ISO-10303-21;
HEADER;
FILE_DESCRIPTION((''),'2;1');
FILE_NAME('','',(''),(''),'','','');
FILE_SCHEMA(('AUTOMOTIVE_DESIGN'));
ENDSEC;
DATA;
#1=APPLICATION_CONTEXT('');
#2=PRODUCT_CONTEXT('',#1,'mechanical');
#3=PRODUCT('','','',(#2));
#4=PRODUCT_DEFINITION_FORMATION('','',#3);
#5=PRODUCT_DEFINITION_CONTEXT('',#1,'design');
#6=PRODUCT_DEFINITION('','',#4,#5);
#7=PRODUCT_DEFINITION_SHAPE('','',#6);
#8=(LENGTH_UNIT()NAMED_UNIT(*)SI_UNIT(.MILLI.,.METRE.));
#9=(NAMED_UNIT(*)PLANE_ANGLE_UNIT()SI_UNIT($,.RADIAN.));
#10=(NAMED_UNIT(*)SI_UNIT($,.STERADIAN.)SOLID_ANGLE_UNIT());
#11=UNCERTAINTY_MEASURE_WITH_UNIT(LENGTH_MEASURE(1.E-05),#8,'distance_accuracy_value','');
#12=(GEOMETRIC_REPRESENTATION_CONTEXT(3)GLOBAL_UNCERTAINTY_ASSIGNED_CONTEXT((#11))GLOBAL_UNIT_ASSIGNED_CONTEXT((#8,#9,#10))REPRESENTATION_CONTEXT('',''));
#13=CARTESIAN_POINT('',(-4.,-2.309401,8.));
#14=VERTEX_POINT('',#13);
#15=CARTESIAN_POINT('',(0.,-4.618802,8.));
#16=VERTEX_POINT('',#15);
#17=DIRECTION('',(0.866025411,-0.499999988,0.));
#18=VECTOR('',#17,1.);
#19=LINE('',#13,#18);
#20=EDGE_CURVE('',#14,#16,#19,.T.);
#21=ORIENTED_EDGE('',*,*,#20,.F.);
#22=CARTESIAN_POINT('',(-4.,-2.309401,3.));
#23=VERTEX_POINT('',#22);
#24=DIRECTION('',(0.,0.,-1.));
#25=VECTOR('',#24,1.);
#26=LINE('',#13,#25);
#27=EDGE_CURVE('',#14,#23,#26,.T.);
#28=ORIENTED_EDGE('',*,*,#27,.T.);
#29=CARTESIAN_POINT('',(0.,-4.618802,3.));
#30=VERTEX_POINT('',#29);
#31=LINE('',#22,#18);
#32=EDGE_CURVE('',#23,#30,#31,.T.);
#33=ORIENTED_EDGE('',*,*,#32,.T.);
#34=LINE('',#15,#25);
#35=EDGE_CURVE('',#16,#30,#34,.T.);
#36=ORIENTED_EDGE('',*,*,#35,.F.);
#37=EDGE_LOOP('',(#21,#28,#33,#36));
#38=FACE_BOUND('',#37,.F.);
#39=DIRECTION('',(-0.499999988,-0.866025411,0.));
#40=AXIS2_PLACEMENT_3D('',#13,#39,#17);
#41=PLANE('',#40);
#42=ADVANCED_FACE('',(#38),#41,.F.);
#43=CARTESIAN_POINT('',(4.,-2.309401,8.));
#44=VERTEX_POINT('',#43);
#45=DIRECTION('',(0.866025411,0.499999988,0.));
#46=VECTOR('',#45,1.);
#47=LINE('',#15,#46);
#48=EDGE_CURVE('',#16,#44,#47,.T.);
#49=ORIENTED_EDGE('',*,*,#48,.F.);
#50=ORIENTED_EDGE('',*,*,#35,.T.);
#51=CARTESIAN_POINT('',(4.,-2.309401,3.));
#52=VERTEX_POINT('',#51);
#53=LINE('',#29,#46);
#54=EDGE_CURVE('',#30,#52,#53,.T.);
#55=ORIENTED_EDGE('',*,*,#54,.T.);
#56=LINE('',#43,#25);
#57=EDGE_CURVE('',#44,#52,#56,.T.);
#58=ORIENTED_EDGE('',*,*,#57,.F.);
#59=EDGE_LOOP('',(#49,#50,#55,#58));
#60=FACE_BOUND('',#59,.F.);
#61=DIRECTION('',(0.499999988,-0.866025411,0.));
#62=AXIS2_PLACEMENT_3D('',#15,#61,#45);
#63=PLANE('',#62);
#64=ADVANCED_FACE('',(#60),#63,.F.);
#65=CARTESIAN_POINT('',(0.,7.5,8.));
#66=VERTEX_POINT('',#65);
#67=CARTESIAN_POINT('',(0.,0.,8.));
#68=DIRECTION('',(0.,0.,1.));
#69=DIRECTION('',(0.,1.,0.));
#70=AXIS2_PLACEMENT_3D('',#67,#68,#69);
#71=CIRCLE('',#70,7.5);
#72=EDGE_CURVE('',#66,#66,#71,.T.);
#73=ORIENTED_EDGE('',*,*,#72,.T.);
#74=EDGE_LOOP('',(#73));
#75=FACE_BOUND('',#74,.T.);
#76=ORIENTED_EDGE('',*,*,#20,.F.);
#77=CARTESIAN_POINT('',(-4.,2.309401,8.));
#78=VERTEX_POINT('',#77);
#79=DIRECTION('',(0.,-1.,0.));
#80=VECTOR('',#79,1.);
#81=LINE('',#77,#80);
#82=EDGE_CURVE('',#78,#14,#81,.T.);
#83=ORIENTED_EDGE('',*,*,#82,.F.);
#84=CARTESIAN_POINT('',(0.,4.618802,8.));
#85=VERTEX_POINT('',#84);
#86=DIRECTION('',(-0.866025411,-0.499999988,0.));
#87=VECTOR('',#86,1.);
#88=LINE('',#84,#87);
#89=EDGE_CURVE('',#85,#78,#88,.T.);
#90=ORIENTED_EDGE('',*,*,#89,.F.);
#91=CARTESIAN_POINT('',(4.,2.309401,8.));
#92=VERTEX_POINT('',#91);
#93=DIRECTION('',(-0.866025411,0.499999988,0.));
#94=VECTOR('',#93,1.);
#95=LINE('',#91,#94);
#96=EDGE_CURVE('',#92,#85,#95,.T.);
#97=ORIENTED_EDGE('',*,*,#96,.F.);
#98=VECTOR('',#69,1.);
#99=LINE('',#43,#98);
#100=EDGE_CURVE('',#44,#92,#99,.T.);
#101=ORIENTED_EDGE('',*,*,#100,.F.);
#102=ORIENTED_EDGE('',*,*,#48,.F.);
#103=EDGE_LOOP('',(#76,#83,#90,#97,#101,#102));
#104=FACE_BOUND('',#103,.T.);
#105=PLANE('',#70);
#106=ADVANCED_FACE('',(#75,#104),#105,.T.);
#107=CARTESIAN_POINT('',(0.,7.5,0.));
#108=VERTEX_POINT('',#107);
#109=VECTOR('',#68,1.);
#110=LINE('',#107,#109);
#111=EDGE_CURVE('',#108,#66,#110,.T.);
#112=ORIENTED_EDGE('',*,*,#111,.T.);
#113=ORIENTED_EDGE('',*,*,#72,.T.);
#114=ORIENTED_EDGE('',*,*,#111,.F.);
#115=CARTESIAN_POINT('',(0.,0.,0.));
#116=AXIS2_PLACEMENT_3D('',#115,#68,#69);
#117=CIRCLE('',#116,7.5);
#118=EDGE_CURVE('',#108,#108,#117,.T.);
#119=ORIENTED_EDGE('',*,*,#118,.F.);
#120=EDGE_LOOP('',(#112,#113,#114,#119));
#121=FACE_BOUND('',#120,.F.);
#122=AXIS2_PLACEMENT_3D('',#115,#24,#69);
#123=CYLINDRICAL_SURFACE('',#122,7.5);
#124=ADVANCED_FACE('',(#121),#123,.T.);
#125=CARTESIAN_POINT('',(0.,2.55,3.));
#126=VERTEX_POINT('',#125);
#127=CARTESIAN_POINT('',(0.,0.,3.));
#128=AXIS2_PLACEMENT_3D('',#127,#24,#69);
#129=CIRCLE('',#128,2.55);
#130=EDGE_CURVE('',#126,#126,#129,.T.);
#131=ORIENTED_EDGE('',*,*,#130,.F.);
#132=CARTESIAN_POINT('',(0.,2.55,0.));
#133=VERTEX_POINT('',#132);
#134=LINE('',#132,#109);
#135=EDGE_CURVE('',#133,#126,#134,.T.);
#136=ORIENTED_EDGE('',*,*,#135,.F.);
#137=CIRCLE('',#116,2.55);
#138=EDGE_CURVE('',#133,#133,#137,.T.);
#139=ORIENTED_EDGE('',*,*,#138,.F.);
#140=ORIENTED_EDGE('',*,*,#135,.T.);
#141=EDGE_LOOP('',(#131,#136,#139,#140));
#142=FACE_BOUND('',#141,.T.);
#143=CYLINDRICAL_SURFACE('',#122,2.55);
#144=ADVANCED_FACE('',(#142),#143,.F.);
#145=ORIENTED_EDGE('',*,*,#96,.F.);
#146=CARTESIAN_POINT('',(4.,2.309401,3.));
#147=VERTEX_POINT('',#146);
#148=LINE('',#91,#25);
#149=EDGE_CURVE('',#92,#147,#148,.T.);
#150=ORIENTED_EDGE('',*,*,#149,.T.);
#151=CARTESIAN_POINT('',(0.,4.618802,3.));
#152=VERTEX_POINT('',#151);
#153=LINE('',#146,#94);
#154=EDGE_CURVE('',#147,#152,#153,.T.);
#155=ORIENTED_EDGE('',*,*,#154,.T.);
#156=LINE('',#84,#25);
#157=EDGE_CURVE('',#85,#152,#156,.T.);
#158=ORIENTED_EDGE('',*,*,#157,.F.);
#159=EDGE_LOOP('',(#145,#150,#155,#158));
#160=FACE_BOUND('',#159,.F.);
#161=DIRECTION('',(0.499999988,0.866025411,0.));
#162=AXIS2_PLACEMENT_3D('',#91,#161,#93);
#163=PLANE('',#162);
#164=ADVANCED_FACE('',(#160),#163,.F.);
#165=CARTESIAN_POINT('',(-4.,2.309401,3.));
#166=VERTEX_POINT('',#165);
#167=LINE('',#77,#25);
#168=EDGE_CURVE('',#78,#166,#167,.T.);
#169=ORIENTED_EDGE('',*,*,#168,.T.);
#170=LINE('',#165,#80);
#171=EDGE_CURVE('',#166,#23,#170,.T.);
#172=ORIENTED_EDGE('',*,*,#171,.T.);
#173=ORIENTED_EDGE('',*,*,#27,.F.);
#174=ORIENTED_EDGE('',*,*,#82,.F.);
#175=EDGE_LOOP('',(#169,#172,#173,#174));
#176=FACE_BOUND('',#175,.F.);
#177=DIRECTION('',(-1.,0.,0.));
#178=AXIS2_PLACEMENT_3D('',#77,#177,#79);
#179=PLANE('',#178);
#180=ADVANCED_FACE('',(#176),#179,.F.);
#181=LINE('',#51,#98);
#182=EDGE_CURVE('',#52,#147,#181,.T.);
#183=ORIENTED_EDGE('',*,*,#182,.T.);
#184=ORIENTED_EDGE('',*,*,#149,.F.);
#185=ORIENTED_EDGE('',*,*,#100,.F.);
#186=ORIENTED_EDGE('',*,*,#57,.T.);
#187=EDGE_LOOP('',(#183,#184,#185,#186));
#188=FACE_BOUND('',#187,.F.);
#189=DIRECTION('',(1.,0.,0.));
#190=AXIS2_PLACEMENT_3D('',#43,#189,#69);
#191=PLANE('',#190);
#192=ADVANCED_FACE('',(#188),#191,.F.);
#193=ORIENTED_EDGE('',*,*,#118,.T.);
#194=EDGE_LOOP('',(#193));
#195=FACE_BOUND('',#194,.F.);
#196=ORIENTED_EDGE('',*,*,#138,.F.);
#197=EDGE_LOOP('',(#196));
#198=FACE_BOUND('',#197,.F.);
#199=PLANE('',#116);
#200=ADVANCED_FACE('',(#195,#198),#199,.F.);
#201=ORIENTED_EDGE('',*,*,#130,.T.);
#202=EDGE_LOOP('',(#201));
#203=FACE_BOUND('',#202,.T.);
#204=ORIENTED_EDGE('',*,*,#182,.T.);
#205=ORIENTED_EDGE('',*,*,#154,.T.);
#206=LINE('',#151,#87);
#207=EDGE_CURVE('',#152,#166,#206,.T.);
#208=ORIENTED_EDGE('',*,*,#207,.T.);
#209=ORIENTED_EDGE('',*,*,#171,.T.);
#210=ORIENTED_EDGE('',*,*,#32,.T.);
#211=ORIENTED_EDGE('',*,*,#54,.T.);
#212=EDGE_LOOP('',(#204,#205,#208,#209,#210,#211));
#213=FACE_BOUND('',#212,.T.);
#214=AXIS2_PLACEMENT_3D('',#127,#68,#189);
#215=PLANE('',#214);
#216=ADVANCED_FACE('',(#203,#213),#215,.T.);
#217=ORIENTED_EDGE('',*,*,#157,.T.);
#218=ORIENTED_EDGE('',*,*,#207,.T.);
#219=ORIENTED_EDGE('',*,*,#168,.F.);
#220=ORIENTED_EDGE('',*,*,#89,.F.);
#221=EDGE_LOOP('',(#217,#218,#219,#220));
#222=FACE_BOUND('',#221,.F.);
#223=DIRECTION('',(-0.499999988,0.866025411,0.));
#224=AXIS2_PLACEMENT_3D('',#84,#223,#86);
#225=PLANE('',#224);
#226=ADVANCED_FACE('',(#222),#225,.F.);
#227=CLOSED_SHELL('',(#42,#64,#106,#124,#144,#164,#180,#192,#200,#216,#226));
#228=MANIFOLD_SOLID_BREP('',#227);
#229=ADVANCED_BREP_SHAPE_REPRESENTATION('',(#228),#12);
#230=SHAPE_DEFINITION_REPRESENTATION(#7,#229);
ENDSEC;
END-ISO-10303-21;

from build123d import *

# Parameters (mm, degrees)
EXTRUDE001_DEPTH = 5
FACE_R           = 7.5
FACE_R_2         = 2.55
EXTRUDE_DEPTH    = 8


with BuildPart() as extrude001:
    # Sketch001 (on Face4 of Extrude) → Extrude001 (new body)
    with BuildSketch(Plane.XY.offset(8)):
        Polygon((4, -2.309401), (4, 2.309401), (0, 4.618802), (-4, 2.309401), (-4, -2.309401), (0, -4.618802), align=None)
    extrude(amount=-EXTRUDE001_DEPTH)


with BuildPart() as cut:
    # Face → Extrude (new body)
    with BuildSketch(Plane(origin=(0, 0, 0), x_dir=(0, 1, 0), z_dir=(0, 0, 1))):
        Circle(FACE_R)
        Circle(FACE_R_2, mode=Mode.SUBTRACT)
    extrude(amount=EXTRUDE_DEPTH)

    # Cut: cut Extrude001
    add(extrude001.part, mode=Mode.SUBTRACT)


solid = cut.part
